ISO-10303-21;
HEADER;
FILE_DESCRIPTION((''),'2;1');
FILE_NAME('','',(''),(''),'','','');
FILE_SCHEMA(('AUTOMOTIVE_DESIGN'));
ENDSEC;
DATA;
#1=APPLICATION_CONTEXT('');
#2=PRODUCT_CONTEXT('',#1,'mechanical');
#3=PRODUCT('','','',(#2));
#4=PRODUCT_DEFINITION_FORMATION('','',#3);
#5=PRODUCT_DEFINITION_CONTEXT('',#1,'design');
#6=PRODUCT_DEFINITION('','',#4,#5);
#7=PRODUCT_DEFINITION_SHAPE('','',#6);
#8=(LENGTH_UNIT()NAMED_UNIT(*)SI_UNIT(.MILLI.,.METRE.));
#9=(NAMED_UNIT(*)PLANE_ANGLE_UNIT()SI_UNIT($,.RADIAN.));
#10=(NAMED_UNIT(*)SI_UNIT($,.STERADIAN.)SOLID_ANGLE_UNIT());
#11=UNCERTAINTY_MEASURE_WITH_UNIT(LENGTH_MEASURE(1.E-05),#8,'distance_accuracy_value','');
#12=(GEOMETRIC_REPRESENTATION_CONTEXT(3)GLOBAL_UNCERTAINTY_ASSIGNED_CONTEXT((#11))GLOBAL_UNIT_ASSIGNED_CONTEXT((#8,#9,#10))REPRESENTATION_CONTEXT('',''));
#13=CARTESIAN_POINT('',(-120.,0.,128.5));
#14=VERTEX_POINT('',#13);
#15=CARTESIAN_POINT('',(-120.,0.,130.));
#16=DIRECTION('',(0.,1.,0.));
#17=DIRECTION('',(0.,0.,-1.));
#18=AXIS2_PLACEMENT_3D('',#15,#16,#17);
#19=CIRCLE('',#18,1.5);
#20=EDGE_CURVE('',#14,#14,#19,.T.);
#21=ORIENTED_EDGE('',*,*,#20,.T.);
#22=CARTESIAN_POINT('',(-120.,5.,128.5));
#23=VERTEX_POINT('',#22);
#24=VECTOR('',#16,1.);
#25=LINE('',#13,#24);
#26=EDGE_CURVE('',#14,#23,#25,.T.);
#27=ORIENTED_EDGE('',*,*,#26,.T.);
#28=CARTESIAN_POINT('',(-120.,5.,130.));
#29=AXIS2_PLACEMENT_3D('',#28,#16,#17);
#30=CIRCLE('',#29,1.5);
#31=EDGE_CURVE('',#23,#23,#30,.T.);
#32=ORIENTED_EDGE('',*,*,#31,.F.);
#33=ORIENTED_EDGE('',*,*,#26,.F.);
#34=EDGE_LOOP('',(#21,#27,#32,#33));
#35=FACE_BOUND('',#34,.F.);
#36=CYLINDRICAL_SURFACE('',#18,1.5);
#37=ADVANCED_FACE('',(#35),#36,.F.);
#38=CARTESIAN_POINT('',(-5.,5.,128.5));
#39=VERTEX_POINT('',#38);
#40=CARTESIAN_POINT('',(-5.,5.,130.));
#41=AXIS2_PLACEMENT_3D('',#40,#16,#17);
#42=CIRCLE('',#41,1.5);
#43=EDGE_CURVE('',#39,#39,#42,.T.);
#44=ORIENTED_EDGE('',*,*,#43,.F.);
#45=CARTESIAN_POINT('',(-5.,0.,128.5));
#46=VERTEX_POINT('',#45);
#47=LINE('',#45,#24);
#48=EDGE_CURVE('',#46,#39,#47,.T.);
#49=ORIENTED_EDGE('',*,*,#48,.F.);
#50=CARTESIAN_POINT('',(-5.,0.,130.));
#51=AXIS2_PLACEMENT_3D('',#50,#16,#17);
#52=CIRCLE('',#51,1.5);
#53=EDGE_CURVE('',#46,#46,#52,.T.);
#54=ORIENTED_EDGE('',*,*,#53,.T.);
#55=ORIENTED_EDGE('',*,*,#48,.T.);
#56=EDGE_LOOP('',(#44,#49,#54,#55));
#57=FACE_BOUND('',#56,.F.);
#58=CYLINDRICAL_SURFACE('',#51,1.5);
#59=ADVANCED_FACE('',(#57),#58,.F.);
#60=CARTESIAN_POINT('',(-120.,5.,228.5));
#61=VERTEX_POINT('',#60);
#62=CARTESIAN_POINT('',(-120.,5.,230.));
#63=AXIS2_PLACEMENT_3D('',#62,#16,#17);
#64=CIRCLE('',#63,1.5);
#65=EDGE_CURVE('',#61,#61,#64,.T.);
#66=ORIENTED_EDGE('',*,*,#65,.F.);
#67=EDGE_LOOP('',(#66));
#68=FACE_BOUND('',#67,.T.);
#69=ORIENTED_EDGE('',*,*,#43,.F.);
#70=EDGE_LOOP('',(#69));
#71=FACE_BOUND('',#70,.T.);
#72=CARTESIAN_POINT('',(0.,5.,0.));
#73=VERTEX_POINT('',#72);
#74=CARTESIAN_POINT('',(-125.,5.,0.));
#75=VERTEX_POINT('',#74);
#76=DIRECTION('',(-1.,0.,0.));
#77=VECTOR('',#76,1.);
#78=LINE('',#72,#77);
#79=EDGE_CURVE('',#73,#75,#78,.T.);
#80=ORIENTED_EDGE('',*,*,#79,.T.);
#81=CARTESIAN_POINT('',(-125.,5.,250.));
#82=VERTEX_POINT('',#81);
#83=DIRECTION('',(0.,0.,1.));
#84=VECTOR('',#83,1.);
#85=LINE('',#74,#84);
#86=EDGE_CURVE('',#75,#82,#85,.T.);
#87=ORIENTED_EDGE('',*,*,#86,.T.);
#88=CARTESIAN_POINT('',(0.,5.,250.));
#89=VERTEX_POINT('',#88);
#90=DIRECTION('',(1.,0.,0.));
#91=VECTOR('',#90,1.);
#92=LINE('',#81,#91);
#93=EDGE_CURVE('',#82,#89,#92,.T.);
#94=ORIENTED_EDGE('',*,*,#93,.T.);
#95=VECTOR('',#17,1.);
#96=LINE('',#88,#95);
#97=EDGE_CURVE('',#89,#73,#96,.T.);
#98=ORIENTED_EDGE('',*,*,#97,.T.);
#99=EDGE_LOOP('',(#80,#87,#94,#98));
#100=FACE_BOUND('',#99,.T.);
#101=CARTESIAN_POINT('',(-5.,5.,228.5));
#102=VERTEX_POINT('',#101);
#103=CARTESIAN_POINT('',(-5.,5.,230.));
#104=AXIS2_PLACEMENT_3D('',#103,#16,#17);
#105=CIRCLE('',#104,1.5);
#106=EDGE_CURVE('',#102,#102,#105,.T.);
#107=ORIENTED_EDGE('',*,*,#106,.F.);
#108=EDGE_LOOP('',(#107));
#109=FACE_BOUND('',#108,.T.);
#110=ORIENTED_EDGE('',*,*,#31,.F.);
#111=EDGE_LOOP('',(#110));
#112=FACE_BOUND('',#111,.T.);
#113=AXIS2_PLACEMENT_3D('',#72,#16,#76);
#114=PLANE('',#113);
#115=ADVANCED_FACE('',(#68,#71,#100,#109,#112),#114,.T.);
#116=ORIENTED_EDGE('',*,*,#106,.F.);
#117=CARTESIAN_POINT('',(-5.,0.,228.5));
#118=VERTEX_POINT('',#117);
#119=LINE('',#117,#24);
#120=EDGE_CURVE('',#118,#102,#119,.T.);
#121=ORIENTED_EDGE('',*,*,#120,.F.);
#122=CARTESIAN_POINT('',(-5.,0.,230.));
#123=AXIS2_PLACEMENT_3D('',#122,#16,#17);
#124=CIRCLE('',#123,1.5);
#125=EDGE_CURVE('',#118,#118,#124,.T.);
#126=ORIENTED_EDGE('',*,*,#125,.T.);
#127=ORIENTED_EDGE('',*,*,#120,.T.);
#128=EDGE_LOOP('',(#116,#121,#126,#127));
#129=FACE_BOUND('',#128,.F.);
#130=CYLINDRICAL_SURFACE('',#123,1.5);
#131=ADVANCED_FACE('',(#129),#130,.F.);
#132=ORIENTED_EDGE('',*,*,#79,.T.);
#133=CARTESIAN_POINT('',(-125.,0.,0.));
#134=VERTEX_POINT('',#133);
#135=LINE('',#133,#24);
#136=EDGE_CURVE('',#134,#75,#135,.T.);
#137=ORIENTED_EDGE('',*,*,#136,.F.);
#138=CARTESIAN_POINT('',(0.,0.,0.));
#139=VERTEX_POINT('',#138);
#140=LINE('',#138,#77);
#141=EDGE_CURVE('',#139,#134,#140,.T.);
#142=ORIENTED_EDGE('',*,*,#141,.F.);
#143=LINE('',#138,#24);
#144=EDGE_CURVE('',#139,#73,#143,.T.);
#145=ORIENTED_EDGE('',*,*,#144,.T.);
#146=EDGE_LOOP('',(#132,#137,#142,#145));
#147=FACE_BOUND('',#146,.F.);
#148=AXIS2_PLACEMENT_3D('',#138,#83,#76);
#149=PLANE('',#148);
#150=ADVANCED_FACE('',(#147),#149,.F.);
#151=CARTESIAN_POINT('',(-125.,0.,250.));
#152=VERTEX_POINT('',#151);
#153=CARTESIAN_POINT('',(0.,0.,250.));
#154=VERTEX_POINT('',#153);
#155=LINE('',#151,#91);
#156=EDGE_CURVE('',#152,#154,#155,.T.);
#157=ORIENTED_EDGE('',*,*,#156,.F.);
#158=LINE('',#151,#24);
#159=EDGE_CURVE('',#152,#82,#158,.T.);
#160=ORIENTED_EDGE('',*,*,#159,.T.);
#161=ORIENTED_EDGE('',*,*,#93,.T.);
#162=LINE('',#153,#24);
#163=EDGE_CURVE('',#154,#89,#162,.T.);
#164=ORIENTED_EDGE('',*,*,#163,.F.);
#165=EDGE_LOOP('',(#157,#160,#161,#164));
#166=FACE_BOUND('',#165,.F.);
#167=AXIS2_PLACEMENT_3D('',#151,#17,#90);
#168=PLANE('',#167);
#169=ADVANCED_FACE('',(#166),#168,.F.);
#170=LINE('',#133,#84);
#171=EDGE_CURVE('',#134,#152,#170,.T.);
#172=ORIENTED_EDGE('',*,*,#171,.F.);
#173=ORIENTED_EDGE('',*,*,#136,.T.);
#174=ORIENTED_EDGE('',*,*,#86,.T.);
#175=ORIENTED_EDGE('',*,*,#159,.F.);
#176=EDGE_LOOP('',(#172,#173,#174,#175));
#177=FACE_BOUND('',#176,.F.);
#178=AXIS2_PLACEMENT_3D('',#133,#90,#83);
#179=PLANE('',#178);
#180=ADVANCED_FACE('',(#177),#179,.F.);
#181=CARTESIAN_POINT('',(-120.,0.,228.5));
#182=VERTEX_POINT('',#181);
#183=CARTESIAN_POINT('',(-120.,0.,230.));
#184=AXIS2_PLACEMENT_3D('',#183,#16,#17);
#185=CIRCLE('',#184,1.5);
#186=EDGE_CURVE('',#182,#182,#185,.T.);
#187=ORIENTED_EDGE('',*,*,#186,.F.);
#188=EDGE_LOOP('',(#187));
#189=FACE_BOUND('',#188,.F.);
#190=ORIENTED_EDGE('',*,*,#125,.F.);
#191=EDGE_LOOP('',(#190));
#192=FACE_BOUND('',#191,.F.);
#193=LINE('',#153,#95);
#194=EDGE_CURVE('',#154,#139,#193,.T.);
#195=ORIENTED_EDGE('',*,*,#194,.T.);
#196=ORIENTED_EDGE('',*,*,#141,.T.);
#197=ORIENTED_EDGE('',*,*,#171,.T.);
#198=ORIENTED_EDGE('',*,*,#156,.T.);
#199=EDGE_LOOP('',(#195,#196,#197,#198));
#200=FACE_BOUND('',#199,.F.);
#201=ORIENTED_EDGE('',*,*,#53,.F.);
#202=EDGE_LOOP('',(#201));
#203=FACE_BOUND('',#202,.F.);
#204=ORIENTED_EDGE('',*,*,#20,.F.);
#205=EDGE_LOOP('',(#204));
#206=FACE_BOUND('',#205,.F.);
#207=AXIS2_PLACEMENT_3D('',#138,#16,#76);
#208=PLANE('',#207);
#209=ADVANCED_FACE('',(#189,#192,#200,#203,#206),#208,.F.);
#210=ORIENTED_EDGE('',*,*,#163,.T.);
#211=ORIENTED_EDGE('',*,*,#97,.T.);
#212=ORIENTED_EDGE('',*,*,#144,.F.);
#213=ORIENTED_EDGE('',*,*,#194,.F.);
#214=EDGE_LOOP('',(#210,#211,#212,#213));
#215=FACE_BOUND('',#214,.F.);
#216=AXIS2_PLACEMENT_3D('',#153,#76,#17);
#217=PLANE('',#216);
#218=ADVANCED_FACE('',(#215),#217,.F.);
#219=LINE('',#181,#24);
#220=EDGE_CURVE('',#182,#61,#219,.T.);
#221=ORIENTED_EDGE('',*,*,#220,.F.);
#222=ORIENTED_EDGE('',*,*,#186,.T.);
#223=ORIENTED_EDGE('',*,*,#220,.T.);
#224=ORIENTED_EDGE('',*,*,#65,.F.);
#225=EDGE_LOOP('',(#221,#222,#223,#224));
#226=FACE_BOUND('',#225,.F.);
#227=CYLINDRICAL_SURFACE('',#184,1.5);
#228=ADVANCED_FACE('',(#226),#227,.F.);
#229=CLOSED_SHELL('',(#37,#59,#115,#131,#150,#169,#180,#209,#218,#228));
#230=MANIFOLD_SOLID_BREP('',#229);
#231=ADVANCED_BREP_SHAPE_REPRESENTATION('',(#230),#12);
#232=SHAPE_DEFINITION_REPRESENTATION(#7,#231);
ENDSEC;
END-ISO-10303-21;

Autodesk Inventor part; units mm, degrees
ref_plane "YZ Plane" through (0, 0, 0) normal (1, 0, 0) x (0, 1, 0)
ref_plane "XZ Plane" through (0, 0, 0) normal (0, 1, 0) x (-1, 0, 0)
ref_plane "XY Plane" through (0, 0, 0) normal (0, 0, 1) x (1, 0, 0)
sketch "Skizze1" plane through (0, 0, 0) normal (0, 1, 0) x (-1, 0, 0)
  line L0 (0, 0) -> (125, 0)
  line L1 (125, 0) -> (125, 250)
  line L2 (125, 250) -> (0, 250)
  line L3 (0, 250) -> (0, 0)
  dimension "d0" = 125
  dimension "d1" = 250
extrude "Extrusion1" add sketch "Skizze1" along normal blind 5
sketch "Skizze2" plane through (0, 0, 0) normal (0, -1, 0) x (1, 0, 0)
  line L0 (0, 250) -> (0, 0) projected
  line L1 (0, 0) -> (-125, 0) projected
  line L2 (0, 250) -> (0, 0) projected
  line L3 (-125, 250) -> (0, 250) projected
  line L4 (-125, 0) -> (-125, 250) projected
  line L5 (-125, 250) -> (0, 250) projected
  point P0 (-5, 230)
  point P1 (-5, 130)
  point P2 (-120, 230)
  point P3 (-120, 130)
  dimension "d4" = 5
  dimension "d5" = 20
  dimension "d8" = 100
  dimension "d11" = 115
hole "Bohrung1" at (-5, 0, 230) at (-5, 0, 130) at (-120, 0, 230) at (-120, 0, 130) direction (0, 1, 0) diameter 3 end through all
properties part number "grundplatte"
